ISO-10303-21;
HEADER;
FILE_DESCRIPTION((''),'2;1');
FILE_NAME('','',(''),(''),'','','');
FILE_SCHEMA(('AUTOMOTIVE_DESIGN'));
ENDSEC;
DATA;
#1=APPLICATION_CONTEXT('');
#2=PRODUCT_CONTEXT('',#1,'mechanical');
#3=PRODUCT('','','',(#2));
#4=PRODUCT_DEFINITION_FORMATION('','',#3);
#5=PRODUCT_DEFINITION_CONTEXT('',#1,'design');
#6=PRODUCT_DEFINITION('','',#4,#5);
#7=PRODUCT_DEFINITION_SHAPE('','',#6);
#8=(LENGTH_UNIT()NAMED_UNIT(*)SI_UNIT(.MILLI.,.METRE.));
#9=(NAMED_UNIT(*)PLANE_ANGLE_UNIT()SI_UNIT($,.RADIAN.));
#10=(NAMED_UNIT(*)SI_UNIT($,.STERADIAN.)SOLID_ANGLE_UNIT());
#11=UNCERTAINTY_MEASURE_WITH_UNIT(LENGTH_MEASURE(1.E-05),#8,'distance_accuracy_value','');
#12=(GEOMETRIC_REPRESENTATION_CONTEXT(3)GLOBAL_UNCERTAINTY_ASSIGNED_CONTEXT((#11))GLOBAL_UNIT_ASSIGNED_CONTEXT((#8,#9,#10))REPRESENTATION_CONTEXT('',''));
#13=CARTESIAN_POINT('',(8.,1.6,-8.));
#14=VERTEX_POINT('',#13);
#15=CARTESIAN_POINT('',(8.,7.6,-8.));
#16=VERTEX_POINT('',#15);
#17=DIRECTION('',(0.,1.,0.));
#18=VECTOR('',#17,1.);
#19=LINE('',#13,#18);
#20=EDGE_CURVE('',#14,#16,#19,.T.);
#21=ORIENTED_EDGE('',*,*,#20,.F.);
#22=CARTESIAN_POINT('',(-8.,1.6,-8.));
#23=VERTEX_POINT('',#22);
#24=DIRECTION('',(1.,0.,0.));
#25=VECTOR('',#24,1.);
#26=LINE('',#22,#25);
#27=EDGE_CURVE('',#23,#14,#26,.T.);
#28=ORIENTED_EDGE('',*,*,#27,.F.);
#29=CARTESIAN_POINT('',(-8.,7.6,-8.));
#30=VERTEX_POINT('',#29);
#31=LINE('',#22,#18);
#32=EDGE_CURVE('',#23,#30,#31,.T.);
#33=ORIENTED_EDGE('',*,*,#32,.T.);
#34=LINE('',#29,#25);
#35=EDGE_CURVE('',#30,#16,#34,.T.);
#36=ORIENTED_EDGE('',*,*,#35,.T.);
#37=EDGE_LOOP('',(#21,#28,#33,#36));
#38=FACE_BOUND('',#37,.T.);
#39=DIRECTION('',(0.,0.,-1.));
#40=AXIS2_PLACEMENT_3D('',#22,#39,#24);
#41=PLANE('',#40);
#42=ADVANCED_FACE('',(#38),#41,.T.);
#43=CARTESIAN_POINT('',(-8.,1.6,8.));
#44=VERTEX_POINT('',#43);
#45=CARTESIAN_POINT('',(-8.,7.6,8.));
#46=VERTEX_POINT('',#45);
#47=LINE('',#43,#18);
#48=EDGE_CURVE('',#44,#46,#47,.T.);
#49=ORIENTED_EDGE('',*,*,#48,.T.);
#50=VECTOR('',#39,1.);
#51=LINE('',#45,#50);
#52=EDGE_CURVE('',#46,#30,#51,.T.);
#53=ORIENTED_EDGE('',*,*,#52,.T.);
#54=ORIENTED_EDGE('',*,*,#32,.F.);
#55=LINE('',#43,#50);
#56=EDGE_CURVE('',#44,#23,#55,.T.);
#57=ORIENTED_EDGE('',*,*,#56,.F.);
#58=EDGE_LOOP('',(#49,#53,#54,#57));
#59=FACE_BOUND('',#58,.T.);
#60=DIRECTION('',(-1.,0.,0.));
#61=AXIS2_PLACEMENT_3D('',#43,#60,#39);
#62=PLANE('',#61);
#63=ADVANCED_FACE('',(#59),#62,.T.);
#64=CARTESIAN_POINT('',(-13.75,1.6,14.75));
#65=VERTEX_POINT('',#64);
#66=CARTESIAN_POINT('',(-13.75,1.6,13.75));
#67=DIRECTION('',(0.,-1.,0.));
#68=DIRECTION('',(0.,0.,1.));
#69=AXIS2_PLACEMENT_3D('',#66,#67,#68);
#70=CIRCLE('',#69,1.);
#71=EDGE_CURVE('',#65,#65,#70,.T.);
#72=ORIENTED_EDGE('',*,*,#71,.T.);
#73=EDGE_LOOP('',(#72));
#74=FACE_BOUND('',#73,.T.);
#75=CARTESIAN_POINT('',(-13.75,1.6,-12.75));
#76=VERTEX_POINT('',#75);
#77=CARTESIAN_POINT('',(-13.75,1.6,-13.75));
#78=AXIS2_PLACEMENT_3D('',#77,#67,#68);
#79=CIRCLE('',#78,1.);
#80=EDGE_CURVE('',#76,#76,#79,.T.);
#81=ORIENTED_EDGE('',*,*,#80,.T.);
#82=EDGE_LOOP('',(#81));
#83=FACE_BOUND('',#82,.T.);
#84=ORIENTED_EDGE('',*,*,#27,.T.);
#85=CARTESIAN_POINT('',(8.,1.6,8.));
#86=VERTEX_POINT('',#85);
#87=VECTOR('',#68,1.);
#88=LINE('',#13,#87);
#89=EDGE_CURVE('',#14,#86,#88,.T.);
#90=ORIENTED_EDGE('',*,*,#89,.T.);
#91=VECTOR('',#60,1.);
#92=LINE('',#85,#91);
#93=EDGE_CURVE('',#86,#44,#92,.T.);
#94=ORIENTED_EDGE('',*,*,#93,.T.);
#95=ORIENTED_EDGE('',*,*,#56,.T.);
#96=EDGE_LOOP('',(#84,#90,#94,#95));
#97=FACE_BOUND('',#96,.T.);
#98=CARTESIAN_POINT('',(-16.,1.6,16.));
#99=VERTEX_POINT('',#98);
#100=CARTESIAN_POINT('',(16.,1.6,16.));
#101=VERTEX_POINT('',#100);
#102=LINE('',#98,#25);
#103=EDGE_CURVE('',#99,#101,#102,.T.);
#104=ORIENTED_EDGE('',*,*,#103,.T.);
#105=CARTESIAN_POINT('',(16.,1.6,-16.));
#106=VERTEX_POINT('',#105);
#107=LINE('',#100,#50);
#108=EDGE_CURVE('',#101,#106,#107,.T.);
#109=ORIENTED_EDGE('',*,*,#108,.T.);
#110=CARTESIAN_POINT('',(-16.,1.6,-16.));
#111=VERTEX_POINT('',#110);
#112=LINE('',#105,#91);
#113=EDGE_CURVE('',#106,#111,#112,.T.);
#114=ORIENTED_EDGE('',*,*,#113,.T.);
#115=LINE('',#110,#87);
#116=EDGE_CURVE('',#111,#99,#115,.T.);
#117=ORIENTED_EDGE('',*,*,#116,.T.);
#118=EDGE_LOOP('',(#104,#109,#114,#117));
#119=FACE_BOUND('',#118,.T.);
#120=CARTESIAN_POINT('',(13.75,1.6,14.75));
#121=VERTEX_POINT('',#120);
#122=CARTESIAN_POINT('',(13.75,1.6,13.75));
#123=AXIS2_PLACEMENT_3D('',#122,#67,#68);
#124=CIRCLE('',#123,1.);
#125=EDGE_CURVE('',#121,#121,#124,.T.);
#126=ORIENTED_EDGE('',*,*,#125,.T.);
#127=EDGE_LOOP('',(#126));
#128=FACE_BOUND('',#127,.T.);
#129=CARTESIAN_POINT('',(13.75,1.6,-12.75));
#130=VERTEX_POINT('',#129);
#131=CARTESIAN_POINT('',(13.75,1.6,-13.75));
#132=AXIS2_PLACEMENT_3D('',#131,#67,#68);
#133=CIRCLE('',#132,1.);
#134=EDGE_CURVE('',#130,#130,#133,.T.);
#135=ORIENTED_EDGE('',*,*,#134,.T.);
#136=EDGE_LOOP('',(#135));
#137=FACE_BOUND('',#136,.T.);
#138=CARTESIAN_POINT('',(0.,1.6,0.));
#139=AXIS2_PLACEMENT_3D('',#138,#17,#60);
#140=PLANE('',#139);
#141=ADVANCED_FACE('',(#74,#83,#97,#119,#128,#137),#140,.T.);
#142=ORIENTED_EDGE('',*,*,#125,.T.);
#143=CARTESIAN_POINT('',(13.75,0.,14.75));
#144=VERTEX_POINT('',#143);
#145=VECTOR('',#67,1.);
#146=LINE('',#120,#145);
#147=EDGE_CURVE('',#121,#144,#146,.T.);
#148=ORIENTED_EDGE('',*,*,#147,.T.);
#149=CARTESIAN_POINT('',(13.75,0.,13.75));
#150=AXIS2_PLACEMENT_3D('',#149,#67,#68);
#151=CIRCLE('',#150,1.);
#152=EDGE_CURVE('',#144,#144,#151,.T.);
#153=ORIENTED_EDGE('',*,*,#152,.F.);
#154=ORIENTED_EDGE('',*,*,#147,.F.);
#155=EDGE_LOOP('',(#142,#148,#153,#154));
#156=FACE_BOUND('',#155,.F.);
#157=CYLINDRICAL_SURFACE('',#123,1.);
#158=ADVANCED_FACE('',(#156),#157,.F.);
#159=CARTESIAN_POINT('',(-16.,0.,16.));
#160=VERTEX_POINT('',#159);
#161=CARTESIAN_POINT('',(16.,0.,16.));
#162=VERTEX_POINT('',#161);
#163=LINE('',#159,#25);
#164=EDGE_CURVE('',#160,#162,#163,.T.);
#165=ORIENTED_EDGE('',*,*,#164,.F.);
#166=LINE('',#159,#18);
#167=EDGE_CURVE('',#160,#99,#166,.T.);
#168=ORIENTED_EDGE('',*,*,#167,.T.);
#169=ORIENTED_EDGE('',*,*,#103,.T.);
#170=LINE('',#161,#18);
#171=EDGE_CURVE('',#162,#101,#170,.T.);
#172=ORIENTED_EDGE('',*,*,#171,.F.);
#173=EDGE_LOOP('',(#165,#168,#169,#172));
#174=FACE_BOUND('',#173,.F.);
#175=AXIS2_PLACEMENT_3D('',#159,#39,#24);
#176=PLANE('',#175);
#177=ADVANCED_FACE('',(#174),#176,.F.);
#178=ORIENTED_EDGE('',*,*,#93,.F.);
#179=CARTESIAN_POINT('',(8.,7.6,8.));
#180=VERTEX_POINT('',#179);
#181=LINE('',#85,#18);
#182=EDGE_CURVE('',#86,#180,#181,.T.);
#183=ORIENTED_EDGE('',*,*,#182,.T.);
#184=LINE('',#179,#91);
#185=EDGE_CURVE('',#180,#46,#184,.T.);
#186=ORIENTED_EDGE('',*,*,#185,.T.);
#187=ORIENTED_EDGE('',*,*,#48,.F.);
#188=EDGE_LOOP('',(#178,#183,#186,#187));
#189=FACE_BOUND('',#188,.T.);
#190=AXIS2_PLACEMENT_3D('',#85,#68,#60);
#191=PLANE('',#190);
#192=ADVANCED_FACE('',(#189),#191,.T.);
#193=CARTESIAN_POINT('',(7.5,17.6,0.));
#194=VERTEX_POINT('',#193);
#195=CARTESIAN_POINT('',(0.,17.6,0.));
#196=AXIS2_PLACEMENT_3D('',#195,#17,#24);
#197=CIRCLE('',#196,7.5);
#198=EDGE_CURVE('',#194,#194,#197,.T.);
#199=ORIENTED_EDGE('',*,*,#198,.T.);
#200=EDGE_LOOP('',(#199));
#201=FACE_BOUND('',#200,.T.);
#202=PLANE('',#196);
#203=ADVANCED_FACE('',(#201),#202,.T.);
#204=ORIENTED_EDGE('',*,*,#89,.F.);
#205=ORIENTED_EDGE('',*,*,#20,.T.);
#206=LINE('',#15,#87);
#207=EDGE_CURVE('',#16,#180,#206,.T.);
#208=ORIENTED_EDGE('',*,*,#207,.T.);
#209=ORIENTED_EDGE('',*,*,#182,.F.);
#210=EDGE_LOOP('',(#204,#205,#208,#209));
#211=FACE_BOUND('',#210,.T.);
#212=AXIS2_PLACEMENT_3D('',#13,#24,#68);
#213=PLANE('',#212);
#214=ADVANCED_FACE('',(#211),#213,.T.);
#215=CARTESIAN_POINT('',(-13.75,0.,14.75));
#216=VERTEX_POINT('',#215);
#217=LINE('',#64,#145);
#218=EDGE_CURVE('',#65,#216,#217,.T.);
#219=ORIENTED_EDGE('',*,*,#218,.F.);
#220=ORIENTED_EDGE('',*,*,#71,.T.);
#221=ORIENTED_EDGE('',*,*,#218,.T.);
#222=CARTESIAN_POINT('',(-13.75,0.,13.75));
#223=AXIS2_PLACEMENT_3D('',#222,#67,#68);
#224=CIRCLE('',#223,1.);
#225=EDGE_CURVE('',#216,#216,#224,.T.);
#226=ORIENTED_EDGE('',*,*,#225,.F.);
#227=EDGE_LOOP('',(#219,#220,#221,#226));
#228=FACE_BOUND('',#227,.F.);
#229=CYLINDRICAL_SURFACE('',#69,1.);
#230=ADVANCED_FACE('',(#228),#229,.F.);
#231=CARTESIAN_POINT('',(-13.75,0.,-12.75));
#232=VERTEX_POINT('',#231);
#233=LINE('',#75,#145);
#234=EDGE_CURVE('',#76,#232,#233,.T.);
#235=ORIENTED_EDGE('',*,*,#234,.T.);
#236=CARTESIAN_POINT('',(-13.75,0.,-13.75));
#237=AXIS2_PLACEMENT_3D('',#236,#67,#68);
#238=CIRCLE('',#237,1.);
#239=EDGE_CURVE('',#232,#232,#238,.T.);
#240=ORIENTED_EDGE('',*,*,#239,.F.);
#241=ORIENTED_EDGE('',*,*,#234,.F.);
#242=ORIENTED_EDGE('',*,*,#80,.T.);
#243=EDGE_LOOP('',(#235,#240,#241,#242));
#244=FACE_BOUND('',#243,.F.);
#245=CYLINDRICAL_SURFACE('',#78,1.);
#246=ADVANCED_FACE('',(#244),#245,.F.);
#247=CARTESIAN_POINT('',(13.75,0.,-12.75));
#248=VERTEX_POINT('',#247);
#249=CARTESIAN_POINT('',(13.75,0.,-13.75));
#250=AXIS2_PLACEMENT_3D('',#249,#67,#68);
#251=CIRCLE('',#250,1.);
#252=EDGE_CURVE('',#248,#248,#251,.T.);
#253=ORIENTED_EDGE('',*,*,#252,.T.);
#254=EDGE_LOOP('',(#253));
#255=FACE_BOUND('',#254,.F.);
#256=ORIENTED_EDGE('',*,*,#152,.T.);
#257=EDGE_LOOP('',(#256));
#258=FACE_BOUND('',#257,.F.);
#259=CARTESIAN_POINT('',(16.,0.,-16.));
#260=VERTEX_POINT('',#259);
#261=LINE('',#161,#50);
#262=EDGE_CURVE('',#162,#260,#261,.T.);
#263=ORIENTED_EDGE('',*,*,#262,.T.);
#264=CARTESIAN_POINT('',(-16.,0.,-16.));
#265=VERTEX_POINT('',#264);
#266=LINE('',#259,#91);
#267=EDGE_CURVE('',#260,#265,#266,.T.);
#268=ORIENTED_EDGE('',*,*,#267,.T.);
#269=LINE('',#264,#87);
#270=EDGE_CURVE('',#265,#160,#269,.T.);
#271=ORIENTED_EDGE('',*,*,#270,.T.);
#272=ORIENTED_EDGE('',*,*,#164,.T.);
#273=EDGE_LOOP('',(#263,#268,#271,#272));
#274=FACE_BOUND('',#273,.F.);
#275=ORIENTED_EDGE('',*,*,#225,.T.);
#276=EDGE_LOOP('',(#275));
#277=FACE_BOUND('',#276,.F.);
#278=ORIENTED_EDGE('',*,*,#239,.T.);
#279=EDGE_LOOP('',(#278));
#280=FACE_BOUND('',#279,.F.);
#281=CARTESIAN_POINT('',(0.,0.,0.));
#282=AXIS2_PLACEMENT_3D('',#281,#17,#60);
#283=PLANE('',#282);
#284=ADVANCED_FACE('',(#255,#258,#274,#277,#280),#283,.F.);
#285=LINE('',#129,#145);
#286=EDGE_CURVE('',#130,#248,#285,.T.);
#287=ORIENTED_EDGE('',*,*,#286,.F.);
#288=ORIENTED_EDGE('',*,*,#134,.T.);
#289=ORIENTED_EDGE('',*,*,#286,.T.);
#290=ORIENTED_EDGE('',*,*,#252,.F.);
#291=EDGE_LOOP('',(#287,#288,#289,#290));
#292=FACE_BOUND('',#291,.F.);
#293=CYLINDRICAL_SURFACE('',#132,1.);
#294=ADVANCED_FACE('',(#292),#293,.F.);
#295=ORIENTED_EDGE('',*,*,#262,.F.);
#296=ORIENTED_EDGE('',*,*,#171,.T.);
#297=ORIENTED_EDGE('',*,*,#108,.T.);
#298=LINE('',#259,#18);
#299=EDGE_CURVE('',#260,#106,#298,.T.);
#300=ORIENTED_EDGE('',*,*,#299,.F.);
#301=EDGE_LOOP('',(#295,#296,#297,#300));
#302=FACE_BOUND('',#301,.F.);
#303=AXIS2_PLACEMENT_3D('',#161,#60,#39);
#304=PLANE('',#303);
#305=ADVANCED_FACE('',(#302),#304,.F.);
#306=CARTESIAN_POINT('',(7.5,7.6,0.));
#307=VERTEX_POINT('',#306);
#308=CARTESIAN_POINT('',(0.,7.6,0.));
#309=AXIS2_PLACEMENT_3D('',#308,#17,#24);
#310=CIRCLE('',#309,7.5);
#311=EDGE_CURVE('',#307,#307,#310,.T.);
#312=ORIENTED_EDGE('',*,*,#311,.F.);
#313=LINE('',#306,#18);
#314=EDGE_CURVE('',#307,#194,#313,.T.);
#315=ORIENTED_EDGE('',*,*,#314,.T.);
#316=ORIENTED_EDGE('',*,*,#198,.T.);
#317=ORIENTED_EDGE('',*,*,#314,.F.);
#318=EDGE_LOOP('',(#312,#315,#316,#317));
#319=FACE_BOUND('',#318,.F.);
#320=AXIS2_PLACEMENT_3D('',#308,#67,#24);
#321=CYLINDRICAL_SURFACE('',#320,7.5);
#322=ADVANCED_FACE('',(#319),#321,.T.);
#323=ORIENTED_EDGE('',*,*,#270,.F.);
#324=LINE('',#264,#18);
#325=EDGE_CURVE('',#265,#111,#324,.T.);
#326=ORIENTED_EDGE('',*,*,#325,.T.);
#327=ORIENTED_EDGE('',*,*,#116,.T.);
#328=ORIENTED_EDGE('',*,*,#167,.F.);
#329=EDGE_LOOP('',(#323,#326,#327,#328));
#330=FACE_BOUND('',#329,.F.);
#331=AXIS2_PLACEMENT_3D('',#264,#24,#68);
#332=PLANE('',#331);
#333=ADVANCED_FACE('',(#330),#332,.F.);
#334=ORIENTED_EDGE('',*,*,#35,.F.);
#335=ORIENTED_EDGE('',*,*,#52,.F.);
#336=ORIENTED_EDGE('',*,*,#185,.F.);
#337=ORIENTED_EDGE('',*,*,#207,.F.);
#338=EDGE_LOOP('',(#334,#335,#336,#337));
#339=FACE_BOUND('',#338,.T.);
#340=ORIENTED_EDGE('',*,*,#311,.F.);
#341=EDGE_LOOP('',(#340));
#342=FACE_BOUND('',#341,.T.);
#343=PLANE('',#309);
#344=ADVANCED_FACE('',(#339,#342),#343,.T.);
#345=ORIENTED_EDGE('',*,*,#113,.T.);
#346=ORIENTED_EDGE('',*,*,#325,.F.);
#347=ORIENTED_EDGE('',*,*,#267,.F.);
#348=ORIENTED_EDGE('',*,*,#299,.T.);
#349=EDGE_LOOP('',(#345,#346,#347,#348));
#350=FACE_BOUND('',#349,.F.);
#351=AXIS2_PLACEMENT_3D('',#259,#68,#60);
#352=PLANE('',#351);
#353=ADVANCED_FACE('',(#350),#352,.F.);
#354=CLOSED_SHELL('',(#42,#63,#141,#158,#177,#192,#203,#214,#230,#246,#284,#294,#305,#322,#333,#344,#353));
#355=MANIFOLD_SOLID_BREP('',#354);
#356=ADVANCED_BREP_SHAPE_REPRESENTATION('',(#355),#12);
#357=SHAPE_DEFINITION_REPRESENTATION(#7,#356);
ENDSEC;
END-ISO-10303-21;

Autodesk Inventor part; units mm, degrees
ref_plane "YZ Plane" through (0, 0, 0) normal (1, 0, 0) x (0, 1, 0)
ref_plane "XZ Plane" through (0, 0, 0) normal (0, 1, 0) x (-1, 0, 0)
ref_plane "XY Plane" through (0, 0, 0) normal (0, 0, 1) x (1, 0, 0)
sketch "Sketch1" plane through (0, 0, 0) normal (0, 1, 0) x (-1, 0, 0)
  line L0 (-16, 16) -> (-16, -16)
  line L1 (-16, -16) -> (16, -16)
  line L2 (16, -16) -> (16, 16)
  line L3 (16, 16) -> (-16, 16)
  line L4 (-16, 16) -> (16, -16) construction
  line L5 (-16, -16) -> (16, 16) construction
  point P0 (0, 0)
  dimension "d0" = 32
  dimension "d1" = 32
extrude "Extrusion1" add sketch "Sketch1" along normal blind 1.6
sketch "Sketch2" plane through (0, 1.6, 0) normal (0, 1, 0) x (1, 0, 0)
  line L0 (-8, -8) -> (-8, 8)
  line L1 (-8, 8) -> (8, 8)
  line L2 (8, 8) -> (8, -8)
  line L3 (8, -8) -> (-8, -8)
  line L4 (-8, -8) -> (8, 8) construction
  line L5 (-8, 8) -> (8, -8) construction
  point P0 (0, 0)
  dimension "d4" = 16
  dimension "d5" = 16
extrude "Extrusion2" add sketch "Sketch2" along normal blind 6
sketch "Sketch3" plane through (0, 7.6, 0) normal (0, 1, 0) x (1, 0, 0)
  circle A0 centre (0, 0) radius 7.5
  dimension "d8" = 15
extrude "Extrusion3" add sketch "Sketch3" along normal blind 10
sketch "Sketch4" plane through (0, 1.6, 0) normal (0, 1, 0) x (1, 0, 0)
  line L0 (-13.75, -13.75) -> (-13.75, 13.75)
  line L1 (-13.75, 13.75) -> (13.75, 13.75)
  line L2 (13.75, 13.75) -> (13.75, -13.75)
  line L3 (13.75, -13.75) -> (-13.75, -13.75)
  line L4 (-13.75, -13.75) -> (13.75, 13.75) construction
  line L5 (-13.75, 13.75) -> (13.75, -13.75) construction
  point P0 (0, 0)
  dimension "d11" = 27.5
  dimension "d12" = 27.5
hole "Hole1" at (-13.75, 1.6, 13.75) at (13.75, 1.6, 13.75) at (13.75, 1.6, -13.75) at (-13.75, 1.6, -13.75) direction (0, -1, 0) diameter 2 depth 7
properties part number "cam_1"
